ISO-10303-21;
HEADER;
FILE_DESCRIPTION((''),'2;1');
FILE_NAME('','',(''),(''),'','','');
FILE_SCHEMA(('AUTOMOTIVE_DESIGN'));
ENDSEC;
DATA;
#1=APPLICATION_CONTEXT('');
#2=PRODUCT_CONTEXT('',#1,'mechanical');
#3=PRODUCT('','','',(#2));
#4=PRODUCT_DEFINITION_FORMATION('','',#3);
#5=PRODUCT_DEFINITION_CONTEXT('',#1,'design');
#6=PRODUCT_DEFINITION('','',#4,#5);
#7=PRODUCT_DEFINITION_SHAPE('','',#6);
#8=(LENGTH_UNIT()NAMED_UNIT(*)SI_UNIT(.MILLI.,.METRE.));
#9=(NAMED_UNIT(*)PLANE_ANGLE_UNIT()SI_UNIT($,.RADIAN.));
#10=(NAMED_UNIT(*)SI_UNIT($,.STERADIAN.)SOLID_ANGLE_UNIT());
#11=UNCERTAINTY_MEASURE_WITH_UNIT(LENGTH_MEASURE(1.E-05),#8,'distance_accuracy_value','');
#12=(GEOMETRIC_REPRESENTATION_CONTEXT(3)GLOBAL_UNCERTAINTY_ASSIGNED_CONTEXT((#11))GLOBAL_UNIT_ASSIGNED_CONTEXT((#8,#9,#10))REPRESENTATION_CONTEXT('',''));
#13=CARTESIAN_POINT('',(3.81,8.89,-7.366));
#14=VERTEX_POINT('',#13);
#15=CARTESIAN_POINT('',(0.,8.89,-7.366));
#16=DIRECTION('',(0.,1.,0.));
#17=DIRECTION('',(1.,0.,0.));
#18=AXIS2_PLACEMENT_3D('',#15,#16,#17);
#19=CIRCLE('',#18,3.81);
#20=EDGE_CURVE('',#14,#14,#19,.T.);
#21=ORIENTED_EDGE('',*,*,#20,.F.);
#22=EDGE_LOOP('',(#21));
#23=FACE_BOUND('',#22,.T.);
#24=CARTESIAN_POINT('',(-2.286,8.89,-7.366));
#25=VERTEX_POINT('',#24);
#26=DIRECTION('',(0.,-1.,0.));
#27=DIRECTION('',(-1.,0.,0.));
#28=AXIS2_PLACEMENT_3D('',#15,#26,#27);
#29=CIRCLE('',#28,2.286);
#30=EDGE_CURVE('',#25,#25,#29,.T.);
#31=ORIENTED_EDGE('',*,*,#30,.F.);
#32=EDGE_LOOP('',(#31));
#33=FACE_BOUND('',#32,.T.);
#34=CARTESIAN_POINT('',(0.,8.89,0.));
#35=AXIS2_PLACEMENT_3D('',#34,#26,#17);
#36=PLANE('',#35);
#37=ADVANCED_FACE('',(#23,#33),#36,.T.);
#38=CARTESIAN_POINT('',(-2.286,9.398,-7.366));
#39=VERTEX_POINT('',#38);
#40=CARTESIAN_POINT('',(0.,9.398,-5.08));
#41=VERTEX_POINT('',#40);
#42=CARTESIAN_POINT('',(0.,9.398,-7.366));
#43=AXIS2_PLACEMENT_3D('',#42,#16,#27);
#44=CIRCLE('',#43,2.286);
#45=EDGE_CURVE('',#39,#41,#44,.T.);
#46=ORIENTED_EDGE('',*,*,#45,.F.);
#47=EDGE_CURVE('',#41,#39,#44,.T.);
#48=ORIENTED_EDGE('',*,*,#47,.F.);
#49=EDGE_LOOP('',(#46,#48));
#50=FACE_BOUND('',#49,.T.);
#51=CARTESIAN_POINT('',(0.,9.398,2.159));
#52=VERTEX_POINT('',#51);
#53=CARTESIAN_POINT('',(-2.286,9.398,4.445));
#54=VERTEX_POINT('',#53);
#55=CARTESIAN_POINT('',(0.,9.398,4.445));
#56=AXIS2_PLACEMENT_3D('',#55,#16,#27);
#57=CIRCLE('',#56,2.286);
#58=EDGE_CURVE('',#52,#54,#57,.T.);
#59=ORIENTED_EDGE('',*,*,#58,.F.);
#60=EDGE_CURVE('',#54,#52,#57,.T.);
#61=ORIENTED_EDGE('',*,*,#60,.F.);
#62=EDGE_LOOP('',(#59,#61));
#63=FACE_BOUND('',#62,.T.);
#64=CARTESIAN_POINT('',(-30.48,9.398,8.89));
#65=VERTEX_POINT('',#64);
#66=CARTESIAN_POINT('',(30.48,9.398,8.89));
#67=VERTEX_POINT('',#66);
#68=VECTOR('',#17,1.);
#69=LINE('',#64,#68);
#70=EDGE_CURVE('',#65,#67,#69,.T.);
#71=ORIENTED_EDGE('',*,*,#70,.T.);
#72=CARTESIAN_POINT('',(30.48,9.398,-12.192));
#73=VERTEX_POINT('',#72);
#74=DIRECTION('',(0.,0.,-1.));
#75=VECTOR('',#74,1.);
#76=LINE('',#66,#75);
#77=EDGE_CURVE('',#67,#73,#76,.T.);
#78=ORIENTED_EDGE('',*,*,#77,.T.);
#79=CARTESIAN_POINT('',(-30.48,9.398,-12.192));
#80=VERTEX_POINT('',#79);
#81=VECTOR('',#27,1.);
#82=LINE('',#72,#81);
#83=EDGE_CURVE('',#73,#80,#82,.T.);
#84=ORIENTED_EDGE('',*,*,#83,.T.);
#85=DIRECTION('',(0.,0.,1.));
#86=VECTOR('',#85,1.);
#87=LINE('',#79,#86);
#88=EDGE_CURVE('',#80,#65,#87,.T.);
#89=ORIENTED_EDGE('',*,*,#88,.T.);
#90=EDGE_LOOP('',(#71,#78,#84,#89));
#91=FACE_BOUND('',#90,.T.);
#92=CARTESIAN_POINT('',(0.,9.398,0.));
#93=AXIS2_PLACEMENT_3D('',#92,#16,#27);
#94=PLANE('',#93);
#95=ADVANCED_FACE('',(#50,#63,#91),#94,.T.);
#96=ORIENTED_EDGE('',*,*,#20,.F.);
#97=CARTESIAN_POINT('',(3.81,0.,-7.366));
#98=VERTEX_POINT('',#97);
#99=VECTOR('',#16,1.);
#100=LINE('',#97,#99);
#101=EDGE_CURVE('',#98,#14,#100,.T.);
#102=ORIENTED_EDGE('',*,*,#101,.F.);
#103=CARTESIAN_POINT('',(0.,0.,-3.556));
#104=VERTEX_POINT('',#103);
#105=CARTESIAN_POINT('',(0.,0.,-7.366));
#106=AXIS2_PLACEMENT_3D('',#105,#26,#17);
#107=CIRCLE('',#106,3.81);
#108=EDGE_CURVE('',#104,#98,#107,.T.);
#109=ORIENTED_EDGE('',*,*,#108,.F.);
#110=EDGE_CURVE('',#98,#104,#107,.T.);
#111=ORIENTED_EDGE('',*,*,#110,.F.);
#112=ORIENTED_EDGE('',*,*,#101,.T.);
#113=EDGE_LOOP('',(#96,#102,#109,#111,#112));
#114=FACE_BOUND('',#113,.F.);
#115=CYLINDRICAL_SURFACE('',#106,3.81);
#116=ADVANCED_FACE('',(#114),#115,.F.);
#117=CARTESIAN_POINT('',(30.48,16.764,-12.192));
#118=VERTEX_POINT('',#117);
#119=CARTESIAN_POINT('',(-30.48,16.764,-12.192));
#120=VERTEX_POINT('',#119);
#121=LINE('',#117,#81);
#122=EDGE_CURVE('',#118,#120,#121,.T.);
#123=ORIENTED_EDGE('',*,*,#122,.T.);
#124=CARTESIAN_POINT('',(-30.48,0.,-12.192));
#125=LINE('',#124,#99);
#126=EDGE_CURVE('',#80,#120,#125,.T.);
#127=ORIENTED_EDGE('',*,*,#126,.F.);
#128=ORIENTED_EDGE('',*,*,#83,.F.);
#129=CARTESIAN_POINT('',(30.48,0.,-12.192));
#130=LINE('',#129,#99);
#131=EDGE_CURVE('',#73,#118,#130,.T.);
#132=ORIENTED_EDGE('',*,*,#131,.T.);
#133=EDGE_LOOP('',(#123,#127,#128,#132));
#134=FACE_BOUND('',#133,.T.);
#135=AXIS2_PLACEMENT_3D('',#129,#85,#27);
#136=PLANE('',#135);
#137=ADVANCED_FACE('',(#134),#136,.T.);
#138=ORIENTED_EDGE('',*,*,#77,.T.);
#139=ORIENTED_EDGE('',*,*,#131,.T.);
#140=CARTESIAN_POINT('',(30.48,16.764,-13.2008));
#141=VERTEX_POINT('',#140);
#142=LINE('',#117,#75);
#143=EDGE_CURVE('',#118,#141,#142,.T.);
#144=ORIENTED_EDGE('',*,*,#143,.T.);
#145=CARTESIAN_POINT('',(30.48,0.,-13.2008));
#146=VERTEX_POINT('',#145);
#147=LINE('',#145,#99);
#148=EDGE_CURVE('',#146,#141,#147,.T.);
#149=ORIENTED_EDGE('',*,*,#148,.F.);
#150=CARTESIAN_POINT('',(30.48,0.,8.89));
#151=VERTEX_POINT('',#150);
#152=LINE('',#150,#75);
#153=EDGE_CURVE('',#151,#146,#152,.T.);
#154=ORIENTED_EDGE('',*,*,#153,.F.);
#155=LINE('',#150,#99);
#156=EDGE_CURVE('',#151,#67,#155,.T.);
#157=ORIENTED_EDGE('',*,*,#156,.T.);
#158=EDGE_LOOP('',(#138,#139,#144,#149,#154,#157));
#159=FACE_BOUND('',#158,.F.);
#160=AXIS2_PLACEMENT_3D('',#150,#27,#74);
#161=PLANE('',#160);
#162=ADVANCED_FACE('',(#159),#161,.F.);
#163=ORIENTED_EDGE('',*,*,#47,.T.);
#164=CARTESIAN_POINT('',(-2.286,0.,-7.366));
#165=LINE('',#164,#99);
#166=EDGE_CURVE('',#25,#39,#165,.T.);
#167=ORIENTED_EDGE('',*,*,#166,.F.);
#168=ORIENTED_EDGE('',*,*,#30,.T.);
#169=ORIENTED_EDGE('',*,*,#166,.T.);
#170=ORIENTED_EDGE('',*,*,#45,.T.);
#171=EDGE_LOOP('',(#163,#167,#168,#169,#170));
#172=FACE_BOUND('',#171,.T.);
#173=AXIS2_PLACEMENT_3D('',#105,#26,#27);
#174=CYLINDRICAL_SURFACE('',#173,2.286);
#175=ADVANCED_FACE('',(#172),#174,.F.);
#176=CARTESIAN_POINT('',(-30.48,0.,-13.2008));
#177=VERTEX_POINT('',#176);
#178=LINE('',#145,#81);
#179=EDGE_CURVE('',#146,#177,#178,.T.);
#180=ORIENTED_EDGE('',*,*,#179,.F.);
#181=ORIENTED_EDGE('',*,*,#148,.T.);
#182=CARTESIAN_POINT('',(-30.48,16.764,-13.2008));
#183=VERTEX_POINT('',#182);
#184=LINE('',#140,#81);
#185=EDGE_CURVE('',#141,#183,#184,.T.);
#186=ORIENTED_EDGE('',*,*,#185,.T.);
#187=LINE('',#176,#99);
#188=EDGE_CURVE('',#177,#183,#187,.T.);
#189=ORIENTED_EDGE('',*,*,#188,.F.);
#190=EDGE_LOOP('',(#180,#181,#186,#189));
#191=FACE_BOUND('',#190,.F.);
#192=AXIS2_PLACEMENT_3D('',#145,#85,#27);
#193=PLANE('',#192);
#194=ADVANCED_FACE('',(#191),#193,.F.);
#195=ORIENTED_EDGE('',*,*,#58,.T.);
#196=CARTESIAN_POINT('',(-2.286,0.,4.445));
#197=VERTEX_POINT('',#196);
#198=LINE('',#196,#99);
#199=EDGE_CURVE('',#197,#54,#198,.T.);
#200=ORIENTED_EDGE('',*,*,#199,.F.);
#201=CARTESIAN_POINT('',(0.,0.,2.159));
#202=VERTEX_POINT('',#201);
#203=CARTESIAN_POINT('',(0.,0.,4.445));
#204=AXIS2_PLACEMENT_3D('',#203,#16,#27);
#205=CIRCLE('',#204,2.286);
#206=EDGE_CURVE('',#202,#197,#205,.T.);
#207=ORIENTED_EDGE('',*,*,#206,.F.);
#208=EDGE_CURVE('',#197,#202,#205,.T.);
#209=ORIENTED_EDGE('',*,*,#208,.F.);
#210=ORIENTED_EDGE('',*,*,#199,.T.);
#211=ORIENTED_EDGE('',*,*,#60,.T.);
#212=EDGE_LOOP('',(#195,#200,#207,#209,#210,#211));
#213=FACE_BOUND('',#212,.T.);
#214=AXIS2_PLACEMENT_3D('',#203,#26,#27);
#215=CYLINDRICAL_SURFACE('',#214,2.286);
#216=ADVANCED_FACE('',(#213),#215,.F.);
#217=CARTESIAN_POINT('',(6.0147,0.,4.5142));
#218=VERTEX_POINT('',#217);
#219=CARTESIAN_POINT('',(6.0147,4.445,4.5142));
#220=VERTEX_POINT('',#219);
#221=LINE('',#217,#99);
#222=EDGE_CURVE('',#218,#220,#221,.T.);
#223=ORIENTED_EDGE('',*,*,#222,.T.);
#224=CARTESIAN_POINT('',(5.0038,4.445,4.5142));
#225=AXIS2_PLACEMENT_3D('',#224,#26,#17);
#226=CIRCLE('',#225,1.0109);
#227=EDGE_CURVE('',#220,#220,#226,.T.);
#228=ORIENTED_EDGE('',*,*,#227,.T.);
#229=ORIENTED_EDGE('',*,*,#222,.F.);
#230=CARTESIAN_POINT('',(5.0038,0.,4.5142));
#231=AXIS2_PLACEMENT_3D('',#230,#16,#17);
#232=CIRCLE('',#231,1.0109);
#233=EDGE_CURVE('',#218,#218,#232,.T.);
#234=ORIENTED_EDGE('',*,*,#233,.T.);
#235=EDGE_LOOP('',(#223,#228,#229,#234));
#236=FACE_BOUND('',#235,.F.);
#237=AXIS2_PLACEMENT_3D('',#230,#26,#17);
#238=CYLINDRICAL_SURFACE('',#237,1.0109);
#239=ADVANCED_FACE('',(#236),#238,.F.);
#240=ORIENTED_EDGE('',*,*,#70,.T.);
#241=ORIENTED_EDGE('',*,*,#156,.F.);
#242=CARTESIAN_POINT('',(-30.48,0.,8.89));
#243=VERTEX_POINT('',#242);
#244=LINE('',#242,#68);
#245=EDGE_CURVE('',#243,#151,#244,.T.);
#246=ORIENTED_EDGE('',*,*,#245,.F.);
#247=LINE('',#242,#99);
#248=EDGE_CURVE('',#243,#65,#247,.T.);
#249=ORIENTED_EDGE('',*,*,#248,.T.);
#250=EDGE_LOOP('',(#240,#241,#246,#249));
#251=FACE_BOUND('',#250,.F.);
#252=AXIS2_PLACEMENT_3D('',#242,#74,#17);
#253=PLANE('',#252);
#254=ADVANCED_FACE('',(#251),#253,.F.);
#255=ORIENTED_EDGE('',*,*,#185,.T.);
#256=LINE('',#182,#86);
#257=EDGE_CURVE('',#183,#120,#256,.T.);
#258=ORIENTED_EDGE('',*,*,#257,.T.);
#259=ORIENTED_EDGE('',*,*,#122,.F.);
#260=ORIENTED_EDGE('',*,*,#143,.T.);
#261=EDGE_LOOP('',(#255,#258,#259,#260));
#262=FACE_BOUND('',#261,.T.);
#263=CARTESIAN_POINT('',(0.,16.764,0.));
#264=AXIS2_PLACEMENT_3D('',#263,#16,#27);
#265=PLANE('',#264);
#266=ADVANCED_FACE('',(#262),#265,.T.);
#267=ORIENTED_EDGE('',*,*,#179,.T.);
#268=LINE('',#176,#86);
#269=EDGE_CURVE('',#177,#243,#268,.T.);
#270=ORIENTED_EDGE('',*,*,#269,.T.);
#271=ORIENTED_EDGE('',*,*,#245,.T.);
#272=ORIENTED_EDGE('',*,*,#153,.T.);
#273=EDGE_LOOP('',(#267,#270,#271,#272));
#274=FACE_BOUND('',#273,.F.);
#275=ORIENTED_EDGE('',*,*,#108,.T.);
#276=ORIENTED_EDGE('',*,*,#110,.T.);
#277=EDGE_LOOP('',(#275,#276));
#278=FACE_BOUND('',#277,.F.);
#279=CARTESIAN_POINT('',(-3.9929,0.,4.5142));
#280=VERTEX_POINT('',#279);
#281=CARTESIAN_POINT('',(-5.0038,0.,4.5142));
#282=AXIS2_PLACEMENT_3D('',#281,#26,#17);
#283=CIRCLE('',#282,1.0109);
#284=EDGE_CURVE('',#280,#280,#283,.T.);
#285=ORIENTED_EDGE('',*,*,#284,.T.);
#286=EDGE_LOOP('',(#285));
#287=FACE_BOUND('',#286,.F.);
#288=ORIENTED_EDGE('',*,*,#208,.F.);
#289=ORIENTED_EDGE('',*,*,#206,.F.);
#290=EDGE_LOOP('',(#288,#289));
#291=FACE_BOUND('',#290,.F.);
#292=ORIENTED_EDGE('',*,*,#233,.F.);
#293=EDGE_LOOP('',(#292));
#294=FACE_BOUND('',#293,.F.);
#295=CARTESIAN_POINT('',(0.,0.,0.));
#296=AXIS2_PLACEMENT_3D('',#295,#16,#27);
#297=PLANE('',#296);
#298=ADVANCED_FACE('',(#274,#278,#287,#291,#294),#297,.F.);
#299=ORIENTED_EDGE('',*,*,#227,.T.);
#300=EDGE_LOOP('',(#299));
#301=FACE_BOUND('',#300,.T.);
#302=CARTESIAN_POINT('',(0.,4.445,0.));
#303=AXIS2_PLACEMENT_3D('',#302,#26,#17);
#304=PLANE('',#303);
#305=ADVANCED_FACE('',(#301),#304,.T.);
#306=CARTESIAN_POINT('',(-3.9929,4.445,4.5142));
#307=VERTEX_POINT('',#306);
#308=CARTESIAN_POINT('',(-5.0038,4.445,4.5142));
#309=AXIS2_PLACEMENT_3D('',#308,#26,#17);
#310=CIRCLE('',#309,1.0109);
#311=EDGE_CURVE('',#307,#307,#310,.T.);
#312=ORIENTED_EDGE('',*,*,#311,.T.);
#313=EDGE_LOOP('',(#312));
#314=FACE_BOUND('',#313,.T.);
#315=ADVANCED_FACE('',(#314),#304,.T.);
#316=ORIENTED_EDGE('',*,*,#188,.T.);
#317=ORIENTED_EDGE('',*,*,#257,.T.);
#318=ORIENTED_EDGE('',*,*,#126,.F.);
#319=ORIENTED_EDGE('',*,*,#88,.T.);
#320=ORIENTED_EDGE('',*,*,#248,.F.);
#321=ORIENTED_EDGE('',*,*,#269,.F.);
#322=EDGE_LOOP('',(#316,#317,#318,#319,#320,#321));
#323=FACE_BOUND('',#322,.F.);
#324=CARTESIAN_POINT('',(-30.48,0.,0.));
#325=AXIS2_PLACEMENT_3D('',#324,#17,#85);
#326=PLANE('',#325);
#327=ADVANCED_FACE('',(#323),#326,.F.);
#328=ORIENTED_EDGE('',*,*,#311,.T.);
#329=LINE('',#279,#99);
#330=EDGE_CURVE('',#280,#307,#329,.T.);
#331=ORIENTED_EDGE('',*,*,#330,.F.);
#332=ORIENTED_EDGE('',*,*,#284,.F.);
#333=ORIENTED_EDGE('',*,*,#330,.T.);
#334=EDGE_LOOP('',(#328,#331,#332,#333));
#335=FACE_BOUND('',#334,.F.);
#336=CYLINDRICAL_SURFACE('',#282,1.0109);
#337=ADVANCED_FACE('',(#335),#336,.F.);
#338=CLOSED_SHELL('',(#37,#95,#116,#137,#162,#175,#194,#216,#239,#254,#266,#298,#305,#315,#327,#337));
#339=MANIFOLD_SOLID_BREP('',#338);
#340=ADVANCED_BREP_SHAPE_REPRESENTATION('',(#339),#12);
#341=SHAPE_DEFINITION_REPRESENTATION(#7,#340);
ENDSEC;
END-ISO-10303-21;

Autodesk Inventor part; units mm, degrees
ref_plane "YZ Plane" through (0, 0, 0) normal (1, 0, 0) x (0, 1, 0)
ref_plane "XZ Plane" through (0, 0, 0) normal (0, 1, 0) x (-1, 0, 0)
ref_plane "XY Plane" through (0, 0, 0) normal (0, 0, 1) x (1, 0, 0)
sketch "Sketch1" plane through (0, 0, 0) normal (0, 1, 0) x (-1, 0, 0)
  line L0 (0, 0) -> (30.48, 0)
  line L1 (30.48, 0) -> (-30.48, 0)
  line L2 (-30.48, 0) -> (-30.48, -12.192)
  line L3 (-30.48, -12.192) -> (30.48, -12.192)
  line L4 (30.48, -12.192) -> (30.48, 0)
  line L5 (30.48, -12.192) -> (30.48, -11.938)
  line L6 (30.48, -11.938) -> (-30.48, -11.938)
  line L7 (0, 0) -> (0, -7.366)
  circle A0 centre (0, -7.366) radius 2.286
  line L8 (30.48, 0) -> (30.48, 8.89)
  line L9 (30.48, 8.89) -> (-30.48, 8.89)
  line L10 (-30.48, 8.89) -> (-30.48, 0)
  line L11 (30.48, 0) -> (-30.48, 0)
  line L12 (0, 0) -> (0, 4.445)
  circle A1 centre (0, 4.445) radius 2.286
  line L13 (30.48, -12.192) -> (-30.48, -12.192)
  line L14 (-30.48, -12.192) -> (-30.48, -13.2008)
  line L15 (-30.48, -13.2008) -> (30.48, -13.2008)
  line L16 (30.48, -13.2008) -> (30.48, -12.192)
  dimension "d0" = 30.48
  dimension "d1" = 60.96
  dimension "d2" = 12.192
  dimension "d3" = 0.254
  dimension "d4" = 7.366
  dimension "d5" = 4.572
  dimension "d14" = 8.89
  dimension "d15" = 4.572
extrude "Extrusion1" add sketch "Sketch1" along normal blind 9.398 contours L0 L4 L6 L2 L1 | L4 L3 L2 L6
extrude "Extrusion2" add sketch "Sketch1" along normal blind 16.764 contours L16 L15 L14 L3
sketch "Sketch2" plane through (0, 0, 0) normal (0, -1, 0) x (1, 0, 0)
  line L0 (0, 0) -> (0, -7.366)
  circle A0 centre (0, -7.366) radius 3.81
  dimension "d10" = 7.366
  dimension "d11" = 7.62
extrude "Extrusion3" cut sketch "Sketch2" against normal blind 8.89
extrude "Extrusion4" add sketch "Sketch1" along normal blind 9.398 contours L1 L10 L9 L8 L0
sketch "Sketch3" plane through (0, 0, 0) normal (0, -1, 0) x (1, 0, 0)
  line L0 (0, 4.5142) -> (5.0038, 4.5142)
  line L1 (0, 4.5142) -> (-5.0038, 4.5142)
  circle A0 centre (5.0038, 4.5142) radius 1.0109
  circle A1 centre (-5.0038, 4.5142) radius 1.0109
  point P0 (0, 0)
  dimension "d18" = 5.0038
  dimension "d19" = 5.0038
  dimension "d20" = 2.0218
  dimension "d21" = 2.0218
extrude "Extrusion5" cut sketch "Sketch3" against normal blind 4.445
properties part number "VA100CPtoPolarisAdapter"
